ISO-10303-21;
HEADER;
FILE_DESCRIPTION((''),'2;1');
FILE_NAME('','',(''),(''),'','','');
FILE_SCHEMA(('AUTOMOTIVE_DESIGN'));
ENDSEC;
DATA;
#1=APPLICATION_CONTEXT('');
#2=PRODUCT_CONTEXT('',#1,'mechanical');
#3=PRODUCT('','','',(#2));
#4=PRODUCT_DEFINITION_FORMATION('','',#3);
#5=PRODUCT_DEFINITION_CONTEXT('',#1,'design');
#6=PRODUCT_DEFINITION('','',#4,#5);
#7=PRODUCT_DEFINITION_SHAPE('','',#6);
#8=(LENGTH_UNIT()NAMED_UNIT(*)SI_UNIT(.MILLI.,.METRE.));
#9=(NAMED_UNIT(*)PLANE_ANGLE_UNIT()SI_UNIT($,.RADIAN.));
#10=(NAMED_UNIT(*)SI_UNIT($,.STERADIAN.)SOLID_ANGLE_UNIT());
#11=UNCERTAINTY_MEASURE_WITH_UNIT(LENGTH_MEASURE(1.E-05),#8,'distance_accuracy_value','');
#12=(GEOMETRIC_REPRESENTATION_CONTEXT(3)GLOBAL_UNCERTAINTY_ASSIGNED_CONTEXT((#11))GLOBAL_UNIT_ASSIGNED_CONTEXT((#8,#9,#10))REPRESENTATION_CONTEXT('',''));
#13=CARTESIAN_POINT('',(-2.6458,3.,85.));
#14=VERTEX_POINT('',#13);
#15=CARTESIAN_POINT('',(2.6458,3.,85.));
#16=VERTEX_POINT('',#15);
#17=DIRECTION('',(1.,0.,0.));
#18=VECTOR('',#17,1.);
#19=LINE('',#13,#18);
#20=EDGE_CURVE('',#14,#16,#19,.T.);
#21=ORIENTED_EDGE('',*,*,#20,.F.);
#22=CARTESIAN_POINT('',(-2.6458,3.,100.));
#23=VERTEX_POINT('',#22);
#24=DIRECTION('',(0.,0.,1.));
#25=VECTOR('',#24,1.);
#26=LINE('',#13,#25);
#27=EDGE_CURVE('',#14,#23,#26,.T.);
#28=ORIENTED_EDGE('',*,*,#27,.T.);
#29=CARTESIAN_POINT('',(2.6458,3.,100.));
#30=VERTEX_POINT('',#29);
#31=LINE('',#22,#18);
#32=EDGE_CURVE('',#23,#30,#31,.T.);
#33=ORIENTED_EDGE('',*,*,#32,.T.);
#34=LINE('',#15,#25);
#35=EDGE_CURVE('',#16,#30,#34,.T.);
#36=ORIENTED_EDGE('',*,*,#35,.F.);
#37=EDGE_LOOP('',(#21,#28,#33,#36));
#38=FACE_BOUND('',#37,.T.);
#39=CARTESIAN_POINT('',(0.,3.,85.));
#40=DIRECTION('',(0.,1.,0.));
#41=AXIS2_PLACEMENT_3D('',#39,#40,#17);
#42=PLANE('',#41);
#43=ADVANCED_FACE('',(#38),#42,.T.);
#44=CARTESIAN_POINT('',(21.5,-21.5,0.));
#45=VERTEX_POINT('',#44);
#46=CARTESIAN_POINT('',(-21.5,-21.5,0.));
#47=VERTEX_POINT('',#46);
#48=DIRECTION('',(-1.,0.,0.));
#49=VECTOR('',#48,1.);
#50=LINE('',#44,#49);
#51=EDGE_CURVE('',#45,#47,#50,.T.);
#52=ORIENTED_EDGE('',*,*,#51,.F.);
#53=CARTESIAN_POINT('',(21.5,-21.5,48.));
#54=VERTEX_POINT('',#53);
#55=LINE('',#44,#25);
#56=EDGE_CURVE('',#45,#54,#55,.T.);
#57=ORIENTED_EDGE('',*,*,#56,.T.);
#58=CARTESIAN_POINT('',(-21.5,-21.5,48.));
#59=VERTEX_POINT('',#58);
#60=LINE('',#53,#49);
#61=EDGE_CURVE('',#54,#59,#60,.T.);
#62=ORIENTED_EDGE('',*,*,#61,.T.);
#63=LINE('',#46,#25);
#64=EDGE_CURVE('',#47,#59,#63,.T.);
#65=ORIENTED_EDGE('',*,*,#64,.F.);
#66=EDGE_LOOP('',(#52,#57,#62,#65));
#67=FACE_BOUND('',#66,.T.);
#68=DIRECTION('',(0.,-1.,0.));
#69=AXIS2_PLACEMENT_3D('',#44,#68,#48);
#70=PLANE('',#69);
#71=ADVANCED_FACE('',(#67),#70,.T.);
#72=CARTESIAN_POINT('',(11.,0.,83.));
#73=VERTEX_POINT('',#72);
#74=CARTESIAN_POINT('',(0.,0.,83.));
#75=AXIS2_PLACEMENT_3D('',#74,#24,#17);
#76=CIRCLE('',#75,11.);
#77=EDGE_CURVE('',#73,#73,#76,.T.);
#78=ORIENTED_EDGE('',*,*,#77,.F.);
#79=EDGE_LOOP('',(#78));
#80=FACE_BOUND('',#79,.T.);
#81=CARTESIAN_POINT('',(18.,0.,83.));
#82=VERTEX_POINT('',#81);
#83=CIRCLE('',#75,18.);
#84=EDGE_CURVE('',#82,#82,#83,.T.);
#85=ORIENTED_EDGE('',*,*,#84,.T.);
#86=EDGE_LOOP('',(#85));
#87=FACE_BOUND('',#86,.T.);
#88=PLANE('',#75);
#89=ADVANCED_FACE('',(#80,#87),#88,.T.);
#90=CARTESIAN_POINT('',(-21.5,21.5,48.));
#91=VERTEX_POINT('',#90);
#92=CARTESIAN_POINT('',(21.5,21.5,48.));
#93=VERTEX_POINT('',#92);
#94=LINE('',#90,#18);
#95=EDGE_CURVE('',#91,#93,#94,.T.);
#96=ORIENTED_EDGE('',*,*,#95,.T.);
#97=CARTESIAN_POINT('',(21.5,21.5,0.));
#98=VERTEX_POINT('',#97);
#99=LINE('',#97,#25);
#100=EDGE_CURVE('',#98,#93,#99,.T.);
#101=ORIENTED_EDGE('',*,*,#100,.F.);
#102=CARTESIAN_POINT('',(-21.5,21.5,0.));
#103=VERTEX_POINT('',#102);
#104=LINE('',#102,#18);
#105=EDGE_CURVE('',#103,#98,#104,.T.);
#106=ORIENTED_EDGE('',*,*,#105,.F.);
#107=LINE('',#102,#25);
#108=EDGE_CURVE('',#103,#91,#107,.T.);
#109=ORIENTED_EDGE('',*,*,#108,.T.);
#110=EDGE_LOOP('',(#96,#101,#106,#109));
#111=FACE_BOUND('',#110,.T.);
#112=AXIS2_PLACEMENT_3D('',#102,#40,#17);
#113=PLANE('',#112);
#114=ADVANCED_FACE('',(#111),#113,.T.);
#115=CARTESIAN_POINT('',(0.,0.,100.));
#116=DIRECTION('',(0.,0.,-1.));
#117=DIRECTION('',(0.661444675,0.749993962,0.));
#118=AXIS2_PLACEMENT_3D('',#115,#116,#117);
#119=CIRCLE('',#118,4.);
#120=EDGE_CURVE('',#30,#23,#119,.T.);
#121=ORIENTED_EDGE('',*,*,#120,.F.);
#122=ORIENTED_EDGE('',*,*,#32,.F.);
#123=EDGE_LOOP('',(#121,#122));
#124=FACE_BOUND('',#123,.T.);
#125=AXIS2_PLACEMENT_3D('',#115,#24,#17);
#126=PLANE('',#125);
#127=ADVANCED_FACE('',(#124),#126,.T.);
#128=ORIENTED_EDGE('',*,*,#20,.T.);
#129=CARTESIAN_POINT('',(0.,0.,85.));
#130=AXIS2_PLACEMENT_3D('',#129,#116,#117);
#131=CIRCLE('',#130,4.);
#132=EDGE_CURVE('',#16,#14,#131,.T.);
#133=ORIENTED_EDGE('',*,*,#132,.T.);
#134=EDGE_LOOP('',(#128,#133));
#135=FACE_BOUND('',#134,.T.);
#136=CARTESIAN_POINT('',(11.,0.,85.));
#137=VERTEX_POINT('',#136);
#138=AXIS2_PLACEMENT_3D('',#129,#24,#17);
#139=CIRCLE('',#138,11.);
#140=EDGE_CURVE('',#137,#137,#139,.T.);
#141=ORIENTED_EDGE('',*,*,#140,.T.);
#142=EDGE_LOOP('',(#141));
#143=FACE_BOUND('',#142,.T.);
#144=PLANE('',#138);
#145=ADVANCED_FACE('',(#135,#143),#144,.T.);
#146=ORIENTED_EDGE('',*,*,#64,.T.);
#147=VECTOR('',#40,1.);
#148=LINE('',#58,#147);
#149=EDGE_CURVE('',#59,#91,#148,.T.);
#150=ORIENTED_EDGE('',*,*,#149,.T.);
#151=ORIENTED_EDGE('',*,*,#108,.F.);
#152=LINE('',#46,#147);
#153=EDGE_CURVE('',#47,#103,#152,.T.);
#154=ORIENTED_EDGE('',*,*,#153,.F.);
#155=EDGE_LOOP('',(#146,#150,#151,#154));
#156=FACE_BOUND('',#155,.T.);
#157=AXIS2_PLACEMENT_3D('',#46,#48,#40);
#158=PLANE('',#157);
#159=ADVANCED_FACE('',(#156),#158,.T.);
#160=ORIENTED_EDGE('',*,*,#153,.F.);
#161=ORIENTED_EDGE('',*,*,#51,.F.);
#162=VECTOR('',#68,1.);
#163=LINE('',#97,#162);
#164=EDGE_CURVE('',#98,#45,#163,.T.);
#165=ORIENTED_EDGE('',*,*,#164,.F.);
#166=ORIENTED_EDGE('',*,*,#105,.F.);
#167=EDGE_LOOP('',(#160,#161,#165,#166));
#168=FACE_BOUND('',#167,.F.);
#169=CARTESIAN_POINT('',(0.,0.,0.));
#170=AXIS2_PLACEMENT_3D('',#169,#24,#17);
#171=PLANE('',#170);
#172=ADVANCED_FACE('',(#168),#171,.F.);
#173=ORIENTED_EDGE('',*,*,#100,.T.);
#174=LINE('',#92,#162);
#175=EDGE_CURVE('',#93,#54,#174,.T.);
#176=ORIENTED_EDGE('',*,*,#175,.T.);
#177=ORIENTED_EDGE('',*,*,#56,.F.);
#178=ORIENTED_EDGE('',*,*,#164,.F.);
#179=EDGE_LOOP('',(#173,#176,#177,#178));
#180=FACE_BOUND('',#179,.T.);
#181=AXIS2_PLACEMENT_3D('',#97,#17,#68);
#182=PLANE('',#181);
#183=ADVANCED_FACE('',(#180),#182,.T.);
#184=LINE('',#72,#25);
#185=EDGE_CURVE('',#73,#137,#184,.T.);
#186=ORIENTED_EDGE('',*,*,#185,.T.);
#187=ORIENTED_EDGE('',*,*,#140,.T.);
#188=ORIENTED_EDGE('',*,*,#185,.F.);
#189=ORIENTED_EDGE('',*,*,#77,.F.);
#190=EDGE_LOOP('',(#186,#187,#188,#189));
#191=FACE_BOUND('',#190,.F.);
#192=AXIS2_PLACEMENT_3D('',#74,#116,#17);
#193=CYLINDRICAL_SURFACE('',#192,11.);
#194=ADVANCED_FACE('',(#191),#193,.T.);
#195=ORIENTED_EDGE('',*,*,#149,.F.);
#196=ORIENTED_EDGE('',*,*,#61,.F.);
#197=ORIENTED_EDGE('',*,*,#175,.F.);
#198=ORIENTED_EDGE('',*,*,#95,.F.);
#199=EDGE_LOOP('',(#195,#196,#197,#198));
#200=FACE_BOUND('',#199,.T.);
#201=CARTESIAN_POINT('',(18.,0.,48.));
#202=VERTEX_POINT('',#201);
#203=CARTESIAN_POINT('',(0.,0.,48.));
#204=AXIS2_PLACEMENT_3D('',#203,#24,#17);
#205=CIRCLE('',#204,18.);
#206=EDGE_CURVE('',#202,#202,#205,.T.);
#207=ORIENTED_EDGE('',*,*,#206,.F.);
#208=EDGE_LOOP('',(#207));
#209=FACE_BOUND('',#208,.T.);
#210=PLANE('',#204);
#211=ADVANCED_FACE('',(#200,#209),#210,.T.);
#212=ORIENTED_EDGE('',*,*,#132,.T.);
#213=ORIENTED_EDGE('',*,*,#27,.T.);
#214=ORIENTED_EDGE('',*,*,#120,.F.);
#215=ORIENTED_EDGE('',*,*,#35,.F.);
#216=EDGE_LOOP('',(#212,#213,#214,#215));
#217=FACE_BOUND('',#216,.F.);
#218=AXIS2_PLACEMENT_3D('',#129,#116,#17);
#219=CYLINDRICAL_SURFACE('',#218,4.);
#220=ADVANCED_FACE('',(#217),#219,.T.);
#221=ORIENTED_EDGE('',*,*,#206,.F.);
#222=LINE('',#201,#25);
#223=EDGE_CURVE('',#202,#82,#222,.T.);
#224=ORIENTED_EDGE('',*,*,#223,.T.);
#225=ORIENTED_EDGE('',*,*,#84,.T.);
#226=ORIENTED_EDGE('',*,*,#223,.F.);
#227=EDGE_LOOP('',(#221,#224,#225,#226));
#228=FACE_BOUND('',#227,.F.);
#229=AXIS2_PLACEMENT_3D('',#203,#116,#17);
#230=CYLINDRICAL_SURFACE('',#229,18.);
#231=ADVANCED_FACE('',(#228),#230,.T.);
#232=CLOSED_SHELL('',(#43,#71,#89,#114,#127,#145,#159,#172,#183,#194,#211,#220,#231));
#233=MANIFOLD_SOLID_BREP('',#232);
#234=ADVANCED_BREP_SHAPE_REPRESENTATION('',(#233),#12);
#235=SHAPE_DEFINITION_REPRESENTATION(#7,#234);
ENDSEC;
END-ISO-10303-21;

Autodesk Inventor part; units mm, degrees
ref_plane "YZ Plane" through (0, 0, 0) normal (1, 0, 0) x (0, 1, 0)
ref_plane "XZ Plane" through (0, 0, 0) normal (0, 1, 0) x (-1, 0, 0)
ref_plane "XY Plane" through (0, 0, 0) normal (0, 0, 1) x (1, 0, 0)
sketch "Sketch1" plane through (0, 0, 0) normal (0, 0, 1) x (1, 0, 0)
  line L0 (-21.5, 21.5) -> (21.5, 21.5)
  line L1 (21.5, 21.5) -> (21.5, -21.5)
  line L2 (21.5, -21.5) -> (-21.5, -21.5)
  line L3 (-21.5, -21.5) -> (-21.5, 21.5)
  point P0 (0, 0)
  dimension "d0" = 43
  dimension "d1" = 43
  dimension "d2" = 21.5
  dimension "d3" = 21.5
extrude "Extrusion1" add sketch "Sketch1" along normal blind 48
sketch "Sketch2" plane through (0, 0, 48) normal (0, 0, 1) x (1, 0, 0)
  circle A0 centre (0, 0) radius 18
  dimension "d6" = 36
extrude "Extrusion2" add sketch "Sketch2" along normal blind 35
sketch "Sketch4" plane through (0, 0, 83) normal (0, 0, 1) x (1, 0, 0)
  circle A0 centre (0, 0) radius 11
  dimension "d9" = 22
extrude "Extrusion3" add sketch "Sketch4" along normal blind 2
sketch "Sketch5" plane through (0, 0, 85) normal (0, 0, 1) x (1, 0, 0)
  circle A0 centre (0, 0) radius 4
  line L0 (0, -4) -> (0, 3) construction
  line L1 (0, 3) -> (-2.6458, 3)
  line L2 (0, 3) -> (2.6458, 3)
  dimension "d12" = 8
  dimension "d13" = 7
extrude "Extrusion4" add sketch "Sketch5" along normal blind 15 contours A0 L1 L2 picked at (-0.1322, -1.6427)
properties part number "Stepper" material "Stainless Steel"
